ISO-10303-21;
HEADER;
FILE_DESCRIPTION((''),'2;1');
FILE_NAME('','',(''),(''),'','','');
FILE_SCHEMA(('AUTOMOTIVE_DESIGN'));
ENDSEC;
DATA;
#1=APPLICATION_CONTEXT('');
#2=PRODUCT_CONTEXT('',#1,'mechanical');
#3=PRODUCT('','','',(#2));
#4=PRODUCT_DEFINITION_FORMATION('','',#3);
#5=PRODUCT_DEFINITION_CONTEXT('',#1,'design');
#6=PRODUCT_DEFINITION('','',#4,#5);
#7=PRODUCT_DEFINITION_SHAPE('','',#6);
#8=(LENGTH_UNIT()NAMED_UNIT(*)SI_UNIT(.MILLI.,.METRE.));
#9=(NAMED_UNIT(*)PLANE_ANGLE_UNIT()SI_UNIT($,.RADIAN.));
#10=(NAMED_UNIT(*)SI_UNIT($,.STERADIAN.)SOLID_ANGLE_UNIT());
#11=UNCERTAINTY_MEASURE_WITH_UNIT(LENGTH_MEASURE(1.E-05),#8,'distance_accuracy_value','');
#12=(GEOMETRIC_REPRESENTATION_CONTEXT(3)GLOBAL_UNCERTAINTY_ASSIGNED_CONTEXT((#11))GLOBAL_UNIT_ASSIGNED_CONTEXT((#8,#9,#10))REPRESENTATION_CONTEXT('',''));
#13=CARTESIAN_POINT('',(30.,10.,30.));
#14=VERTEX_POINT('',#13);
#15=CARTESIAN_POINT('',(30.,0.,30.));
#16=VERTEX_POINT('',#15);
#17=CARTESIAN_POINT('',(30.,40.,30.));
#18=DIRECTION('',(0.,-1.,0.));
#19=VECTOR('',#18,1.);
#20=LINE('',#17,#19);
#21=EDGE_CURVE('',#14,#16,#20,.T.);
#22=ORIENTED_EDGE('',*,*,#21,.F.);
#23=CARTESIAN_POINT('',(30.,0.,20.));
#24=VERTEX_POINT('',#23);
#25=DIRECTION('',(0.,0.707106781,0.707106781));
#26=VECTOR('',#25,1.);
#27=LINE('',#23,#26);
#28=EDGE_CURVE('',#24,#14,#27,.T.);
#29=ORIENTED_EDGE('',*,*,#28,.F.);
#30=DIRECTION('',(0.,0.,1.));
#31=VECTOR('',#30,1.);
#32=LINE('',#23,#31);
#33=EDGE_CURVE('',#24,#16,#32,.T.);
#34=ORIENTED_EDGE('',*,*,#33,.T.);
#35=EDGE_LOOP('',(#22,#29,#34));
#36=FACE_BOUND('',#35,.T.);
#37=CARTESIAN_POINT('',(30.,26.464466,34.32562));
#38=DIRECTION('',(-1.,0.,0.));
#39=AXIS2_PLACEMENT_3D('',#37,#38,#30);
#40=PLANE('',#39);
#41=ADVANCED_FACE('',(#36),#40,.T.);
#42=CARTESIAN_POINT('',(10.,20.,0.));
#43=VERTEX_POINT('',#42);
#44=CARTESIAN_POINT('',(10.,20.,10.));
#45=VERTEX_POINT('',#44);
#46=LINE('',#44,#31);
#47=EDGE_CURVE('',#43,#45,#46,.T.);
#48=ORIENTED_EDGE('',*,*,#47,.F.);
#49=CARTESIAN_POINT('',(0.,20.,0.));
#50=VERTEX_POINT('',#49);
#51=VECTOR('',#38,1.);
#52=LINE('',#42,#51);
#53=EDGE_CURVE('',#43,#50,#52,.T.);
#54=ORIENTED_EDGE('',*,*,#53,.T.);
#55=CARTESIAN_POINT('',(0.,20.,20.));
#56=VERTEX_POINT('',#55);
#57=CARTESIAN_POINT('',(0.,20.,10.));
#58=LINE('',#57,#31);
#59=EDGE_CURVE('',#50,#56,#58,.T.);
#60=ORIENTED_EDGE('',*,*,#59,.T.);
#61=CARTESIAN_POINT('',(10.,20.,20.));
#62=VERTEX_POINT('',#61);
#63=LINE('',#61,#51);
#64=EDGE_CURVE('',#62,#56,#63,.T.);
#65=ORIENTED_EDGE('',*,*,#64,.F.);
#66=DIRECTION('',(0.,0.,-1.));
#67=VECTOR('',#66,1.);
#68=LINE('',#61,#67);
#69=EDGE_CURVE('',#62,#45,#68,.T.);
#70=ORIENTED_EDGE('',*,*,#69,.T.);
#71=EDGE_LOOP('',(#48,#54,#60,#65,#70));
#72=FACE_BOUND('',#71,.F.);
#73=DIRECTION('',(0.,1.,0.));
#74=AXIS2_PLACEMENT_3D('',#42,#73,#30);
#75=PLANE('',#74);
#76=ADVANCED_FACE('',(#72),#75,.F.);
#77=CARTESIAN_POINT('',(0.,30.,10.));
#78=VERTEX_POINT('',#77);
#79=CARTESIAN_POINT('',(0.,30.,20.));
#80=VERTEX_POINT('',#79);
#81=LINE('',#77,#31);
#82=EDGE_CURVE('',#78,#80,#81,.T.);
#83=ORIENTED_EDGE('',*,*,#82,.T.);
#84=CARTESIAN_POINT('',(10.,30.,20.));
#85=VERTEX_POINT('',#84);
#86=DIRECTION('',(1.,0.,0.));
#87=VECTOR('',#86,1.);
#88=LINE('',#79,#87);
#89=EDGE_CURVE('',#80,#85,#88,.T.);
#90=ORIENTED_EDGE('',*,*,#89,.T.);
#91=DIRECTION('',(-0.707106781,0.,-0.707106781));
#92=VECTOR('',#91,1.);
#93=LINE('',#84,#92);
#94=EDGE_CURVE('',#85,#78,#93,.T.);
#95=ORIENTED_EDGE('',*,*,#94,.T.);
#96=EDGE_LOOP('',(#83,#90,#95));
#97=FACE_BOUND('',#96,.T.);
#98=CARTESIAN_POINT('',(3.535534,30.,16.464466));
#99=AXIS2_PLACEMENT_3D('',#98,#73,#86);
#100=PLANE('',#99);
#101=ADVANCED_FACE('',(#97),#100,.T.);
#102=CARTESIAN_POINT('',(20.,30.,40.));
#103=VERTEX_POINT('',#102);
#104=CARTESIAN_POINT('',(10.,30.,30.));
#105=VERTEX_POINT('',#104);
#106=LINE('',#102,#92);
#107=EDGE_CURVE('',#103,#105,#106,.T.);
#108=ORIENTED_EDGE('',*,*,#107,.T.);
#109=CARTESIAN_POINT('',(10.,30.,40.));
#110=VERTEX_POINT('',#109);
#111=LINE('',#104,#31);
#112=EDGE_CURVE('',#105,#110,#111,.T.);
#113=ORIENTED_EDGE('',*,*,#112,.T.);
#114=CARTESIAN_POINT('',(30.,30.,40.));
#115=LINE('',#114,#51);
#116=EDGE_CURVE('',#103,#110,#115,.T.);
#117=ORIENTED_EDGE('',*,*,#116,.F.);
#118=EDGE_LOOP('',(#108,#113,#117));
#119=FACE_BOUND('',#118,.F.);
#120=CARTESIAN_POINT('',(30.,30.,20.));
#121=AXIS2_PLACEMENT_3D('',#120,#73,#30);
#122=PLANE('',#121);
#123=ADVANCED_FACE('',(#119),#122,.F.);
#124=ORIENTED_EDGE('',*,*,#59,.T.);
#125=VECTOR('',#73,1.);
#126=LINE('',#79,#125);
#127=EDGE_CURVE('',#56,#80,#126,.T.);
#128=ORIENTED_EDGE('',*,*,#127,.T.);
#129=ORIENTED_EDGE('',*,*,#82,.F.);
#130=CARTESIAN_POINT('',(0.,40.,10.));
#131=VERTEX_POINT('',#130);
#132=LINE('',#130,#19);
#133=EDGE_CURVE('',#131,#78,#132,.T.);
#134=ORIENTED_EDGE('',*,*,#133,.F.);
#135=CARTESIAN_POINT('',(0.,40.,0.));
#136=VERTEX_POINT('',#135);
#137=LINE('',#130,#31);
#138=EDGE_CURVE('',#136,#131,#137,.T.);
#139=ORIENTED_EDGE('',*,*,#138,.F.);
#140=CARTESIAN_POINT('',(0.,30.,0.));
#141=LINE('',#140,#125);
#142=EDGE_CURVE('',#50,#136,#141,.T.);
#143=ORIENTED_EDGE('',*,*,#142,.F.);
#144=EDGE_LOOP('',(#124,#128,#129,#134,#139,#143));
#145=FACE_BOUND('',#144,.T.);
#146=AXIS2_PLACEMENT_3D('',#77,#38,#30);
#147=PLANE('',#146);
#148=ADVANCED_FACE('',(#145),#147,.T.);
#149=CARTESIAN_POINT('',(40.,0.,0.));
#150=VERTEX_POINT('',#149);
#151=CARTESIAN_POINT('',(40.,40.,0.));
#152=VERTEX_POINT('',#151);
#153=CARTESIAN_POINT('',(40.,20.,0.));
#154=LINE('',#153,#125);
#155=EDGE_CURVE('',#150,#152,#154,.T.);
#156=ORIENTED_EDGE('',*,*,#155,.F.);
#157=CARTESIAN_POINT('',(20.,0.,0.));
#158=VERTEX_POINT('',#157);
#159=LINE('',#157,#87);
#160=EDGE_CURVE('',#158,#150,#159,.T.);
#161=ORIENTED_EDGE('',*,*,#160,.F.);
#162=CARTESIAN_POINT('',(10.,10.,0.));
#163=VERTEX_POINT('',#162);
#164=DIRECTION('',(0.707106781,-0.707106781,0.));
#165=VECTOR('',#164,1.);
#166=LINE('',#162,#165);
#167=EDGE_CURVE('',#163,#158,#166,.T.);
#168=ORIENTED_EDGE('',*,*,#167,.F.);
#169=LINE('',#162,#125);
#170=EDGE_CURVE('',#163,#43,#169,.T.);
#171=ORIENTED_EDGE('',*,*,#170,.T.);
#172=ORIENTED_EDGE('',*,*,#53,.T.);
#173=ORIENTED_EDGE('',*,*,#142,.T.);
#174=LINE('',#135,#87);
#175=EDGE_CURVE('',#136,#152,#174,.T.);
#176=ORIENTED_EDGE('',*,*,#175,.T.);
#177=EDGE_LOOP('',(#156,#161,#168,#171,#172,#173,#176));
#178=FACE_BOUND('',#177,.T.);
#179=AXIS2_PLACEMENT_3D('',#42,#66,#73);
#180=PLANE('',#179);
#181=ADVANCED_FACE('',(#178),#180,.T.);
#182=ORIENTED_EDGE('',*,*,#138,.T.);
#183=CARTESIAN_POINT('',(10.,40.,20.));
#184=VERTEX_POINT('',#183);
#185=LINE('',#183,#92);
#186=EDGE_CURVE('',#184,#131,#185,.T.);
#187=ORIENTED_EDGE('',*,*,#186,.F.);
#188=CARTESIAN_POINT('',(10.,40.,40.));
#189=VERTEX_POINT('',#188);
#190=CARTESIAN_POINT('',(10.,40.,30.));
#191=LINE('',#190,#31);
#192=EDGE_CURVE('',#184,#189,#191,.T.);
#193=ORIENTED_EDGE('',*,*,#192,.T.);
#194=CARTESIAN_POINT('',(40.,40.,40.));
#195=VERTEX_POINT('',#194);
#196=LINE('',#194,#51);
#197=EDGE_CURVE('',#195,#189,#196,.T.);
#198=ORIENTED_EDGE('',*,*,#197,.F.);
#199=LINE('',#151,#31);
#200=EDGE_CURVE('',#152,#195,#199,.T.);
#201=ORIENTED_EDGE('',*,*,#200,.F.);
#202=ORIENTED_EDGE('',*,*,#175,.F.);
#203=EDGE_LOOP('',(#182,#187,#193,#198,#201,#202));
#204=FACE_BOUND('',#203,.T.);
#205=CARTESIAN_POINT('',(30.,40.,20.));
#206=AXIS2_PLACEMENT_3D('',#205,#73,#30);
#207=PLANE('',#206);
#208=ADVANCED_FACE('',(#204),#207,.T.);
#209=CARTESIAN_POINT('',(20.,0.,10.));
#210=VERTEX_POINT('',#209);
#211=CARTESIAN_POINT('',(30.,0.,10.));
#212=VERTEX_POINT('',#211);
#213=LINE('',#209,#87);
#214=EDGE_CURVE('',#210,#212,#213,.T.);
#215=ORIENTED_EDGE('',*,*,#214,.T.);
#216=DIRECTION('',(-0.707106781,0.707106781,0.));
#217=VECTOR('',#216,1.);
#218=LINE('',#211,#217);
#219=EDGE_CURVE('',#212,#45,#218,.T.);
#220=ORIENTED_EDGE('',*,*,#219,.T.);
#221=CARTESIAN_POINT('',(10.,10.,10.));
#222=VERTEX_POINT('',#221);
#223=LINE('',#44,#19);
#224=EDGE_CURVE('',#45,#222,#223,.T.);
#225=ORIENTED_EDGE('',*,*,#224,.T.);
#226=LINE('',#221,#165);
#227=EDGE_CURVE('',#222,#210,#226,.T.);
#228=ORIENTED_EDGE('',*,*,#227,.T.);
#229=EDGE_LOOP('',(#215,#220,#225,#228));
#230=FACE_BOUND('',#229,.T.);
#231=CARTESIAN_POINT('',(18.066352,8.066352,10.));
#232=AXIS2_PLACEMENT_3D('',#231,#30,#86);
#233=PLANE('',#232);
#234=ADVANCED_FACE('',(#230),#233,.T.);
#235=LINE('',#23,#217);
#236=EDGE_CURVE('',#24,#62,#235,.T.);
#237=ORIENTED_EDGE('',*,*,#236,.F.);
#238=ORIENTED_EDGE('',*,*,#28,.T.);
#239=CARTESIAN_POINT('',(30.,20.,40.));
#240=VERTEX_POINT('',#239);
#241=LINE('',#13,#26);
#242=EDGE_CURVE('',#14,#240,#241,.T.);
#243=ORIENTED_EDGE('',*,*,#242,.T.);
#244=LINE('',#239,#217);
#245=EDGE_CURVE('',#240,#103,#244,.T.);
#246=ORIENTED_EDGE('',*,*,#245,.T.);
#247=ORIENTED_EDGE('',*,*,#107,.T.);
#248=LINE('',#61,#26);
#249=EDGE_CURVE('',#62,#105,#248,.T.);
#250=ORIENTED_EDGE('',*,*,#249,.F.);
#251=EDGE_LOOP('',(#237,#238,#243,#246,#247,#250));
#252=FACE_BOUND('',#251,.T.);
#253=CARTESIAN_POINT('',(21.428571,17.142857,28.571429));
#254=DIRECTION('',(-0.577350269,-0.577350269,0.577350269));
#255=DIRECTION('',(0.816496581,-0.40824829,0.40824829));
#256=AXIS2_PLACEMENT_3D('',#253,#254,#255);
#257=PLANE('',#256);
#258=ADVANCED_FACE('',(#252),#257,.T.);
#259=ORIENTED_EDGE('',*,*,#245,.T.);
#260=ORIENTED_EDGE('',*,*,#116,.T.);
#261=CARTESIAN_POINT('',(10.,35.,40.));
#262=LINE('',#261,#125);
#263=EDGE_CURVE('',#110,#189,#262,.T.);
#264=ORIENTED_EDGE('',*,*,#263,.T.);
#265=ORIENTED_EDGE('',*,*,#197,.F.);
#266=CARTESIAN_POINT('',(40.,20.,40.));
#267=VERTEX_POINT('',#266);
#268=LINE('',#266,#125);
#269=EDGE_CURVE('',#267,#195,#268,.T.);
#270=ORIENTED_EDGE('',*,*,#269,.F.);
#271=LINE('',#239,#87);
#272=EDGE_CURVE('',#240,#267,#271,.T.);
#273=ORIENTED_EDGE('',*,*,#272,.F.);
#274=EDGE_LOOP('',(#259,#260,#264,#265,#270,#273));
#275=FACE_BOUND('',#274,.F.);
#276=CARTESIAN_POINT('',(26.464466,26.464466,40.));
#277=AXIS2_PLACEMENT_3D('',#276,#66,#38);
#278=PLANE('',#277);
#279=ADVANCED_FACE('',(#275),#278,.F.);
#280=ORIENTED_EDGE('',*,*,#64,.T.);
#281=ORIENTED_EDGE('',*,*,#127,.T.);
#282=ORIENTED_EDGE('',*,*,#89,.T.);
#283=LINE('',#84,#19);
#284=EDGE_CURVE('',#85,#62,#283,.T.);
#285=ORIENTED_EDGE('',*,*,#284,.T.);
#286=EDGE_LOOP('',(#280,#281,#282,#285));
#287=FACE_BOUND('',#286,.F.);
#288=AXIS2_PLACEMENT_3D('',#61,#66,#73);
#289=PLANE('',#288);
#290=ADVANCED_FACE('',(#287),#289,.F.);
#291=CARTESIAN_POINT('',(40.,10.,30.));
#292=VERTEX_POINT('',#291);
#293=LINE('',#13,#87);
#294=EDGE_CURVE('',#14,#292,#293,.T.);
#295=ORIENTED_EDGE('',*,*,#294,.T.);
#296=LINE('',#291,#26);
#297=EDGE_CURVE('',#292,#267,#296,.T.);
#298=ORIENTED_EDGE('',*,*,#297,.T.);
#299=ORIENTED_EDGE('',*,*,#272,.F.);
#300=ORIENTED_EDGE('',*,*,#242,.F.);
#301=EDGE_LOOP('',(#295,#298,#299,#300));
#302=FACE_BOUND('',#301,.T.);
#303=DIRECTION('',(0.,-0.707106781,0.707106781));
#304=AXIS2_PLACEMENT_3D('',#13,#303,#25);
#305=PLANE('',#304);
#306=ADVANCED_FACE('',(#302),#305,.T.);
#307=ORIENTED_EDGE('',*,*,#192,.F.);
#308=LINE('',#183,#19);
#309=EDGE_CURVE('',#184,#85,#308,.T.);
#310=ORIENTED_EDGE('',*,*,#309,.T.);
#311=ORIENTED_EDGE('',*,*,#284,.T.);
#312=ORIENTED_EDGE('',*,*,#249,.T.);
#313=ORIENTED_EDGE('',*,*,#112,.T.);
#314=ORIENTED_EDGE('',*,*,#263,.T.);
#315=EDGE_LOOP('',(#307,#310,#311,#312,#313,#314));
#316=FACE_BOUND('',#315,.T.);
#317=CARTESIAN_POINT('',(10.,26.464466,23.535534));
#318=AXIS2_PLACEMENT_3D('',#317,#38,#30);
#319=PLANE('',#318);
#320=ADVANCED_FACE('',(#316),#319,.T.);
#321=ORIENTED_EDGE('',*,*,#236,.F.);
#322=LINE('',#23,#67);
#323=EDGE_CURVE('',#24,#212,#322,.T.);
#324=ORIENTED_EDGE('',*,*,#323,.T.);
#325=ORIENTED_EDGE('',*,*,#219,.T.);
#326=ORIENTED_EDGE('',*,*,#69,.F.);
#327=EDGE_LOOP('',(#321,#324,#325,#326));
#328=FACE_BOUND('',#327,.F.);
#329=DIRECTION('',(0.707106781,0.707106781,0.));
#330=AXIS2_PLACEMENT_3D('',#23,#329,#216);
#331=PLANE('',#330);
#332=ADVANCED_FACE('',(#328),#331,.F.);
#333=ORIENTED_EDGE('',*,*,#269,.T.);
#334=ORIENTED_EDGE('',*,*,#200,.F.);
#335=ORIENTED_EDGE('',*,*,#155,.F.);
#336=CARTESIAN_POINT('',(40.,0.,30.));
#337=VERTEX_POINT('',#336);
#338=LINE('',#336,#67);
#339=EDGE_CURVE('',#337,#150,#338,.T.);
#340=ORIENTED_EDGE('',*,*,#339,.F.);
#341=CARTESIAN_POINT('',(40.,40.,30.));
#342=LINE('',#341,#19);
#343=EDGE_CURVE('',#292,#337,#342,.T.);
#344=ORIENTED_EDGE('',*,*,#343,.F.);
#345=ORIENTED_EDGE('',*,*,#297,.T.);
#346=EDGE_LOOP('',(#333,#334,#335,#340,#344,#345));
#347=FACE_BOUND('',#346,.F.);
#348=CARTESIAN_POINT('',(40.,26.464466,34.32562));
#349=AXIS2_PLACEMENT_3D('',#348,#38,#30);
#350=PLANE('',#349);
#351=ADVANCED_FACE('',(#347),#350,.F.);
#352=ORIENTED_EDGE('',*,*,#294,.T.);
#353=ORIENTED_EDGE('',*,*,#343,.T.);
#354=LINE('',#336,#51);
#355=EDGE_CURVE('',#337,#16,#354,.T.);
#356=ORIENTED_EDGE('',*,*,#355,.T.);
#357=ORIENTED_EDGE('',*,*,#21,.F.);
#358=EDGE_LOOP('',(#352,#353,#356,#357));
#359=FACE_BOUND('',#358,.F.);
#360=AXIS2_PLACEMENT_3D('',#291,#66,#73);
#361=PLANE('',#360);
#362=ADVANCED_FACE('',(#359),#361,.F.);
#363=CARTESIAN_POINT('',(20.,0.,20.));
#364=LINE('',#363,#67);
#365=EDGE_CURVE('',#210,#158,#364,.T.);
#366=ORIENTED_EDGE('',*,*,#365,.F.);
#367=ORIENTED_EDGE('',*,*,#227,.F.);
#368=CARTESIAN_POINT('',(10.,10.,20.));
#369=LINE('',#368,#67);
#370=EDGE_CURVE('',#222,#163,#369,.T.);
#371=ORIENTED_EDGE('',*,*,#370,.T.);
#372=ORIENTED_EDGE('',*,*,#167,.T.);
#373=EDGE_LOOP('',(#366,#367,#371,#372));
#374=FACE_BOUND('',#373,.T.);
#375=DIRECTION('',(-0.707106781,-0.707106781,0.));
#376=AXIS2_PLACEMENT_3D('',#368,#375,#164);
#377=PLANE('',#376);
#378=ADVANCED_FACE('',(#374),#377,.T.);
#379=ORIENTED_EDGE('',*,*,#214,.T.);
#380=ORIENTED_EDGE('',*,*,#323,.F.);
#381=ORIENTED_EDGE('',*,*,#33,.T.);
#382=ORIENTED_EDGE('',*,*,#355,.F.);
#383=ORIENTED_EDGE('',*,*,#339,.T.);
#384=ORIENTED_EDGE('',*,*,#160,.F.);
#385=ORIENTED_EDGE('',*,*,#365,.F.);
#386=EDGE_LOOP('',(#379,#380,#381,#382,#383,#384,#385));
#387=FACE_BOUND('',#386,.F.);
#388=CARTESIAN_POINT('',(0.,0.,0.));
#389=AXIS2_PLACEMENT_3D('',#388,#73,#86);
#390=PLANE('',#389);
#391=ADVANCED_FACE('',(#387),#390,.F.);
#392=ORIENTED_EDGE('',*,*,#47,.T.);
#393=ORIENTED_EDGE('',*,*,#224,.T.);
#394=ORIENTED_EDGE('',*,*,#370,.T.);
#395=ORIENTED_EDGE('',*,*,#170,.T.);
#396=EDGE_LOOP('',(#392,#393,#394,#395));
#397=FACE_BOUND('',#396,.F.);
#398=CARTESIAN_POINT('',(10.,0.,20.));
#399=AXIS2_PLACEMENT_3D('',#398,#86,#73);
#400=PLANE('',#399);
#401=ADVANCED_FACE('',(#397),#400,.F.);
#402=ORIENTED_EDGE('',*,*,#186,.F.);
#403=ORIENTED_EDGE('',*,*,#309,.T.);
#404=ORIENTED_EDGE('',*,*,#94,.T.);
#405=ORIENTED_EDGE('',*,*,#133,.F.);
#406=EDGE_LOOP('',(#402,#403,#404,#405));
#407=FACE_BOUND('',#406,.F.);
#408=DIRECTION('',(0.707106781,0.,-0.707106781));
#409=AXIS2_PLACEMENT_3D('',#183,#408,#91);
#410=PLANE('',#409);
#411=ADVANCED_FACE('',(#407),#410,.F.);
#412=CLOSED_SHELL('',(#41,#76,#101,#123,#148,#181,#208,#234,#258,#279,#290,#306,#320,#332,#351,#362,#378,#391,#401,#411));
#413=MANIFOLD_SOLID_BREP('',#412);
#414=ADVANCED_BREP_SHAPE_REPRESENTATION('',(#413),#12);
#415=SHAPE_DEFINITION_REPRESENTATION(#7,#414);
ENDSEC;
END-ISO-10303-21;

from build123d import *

# Parameters (mm, degrees)
SKETCH1_W            = 40
SKETCH1_H            = 40
BOSS_EXTRUDE1_DEPTH  = 20
BOSS_EXTRUDE3_DEPTH  = 10
SKETCH3_W            = 10
SKETCH3_H            = 30
BOSS_EXTRUDE5_DEPTH  = 10
BOSS_EXTRUDE6_DEPTH  = 10
SKETCH5_W            = 10
SKETCH5_H            = 40
CUT_EXTRUDE3_DEPTH   = 25
CUT_EXTRUDE4_DEPTH   = 25
CUT_EXTRUDE5_DEPTH   = 10
SKETCH9_W            = 20
SKETCH9_H            = 20
BOSS_EXTRUDE7_DEPTH  = 10
CUT_EXTRUDE6_DEPTH   = 10
BOSS_EXTRUDE8_DEPTH  = 10
SKETCH12_W           = 20
SKETCH12_H           = 10
BOSS_EXTRUDE9_DEPTH  = 20
BOSS_EXTRUDE10_DEPTH = 20
BOSS_EXTRUDE11_DEPTH = 20
BOSS_EXTRUDE12_DEPTH = 17


with BuildPart() as part:
    # Sketch1 → Boss-Extrude1 (new body)
    with BuildSketch(Plane.XY):
        with Locations((20, 20)):
            Rectangle(SKETCH1_W, SKETCH1_H)
    extrude(amount=BOSS_EXTRUDE1_DEPTH)

    # Sketch3 → Boss-Extrude5 (add)
    with BuildSketch(Plane(origin=(40, 0, 0), x_dir=(0, 0, -1), z_dir=(1, 0, 0))):
        with Locations((-25, 25)):
            Rectangle(SKETCH3_W, SKETCH3_H)
    extrude(amount=-BOSS_EXTRUDE5_DEPTH)



with BuildPart() as body_2:
    # Sketch2 → Boss-Extrude3 (new body)
    with BuildSketch(Plane(origin=(40, 0, 0), x_dir=(0, 0, -1), z_dir=(1, 0, 0))):
        Polygon((-30, 10), (-20, 0), (-30, 0), align=None)
    extrude(amount=-BOSS_EXTRUDE3_DEPTH)


with BuildPart() as part_1:
    add(part.part)

    add(body_2.part)  # Boss-Extrude6 merges body 2
    # Sketch4 → Boss-Extrude6 (add)
    with BuildSketch(Plane(origin=(40, 0, 0), x_dir=(0, 0, -1), z_dir=(1, 0, 0))):
        Polygon((-20, 0), (-20, 10), (-30, 10), align=None)
    extrude(amount=-BOSS_EXTRUDE6_DEPTH)

    # Sketch5 → Cut-Extrude3 (cut)
    with BuildSketch(Plane.XY.offset(20)):
        with Locations((5, 20)):
            Rectangle(SKETCH5_W, SKETCH5_H)
    extrude(amount=-CUT_EXTRUDE3_DEPTH, mode=Mode.SUBTRACT)

    # Sketch7 → Cut-Extrude4 (cut)
    with BuildSketch(Plane.XY.offset(20)):
        Polygon((10, 10), (20, 0), (10, 0), align=None)
    extrude(amount=-CUT_EXTRUDE4_DEPTH, mode=Mode.SUBTRACT)

    # Sketch8 → Cut-Extrude5 (cut)
    with BuildSketch(Plane.XY.offset(20)):
        Polygon((30, 0), (10, 20), (10, 10), (20, 0), align=None)
    extrude(amount=-CUT_EXTRUDE5_DEPTH, mode=Mode.SUBTRACT)

    # Sketch9 → Boss-Extrude7 (add)
    with BuildSketch(Plane.ZY.offset(-10)):
        with Locations((10, 30)):
            Rectangle(SKETCH9_W, SKETCH9_H)
    extrude(amount=BOSS_EXTRUDE7_DEPTH)

    # Sketch10 → Cut-Extrude6 (cut)
    with BuildSketch(Plane(origin=(0, 40, 0), x_dir=(1, 0, 0), z_dir=(0, 1, 0))):
        Polygon((10, -20), (0, -10), (0, -20), align=None)
    extrude(amount=-CUT_EXTRUDE6_DEPTH, mode=Mode.SUBTRACT)

    # Sketch11 → Boss-Extrude8 (add)
    with BuildSketch(Plane.ZY.offset(-30)):
        Polygon((30, 10), (40, 20), (40, 40), (30, 40), align=None)
    extrude(amount=-BOSS_EXTRUDE8_DEPTH)

    # Sketch12 → Boss-Extrude9 (add)
    with BuildSketch(Plane.ZY.offset(-30)):
        with Locations((30, 35)):
            Rectangle(SKETCH12_W, SKETCH12_H)
    extrude(amount=BOSS_EXTRUDE9_DEPTH)

    # Sketch13 → Boss-Extrude10 (add)
    with BuildSketch(Plane.XY.offset(40)):
        Polygon((30, 20), (20, 30), (30, 30), align=None)
    extrude(amount=-BOSS_EXTRUDE10_DEPTH)

    # Sketch16 → Boss-Extrude11 (add)
    with BuildSketch(Plane.ZY.offset(-10)):
        Polygon((20, 20), (30, 30), (20, 30), align=None)
    extrude(amount=-BOSS_EXTRUDE11_DEPTH)

    # Sketch17 → Boss-Extrude12 (add)
    with BuildSketch(Plane(origin=(3.333333333, 3.333333333, -3.333333333), x_dir=(-0.816496581, 0.40824829, -0.40824829), z_dir=(0.577350269, 0.577350269, -0.577350269))):
        Polygon((-32.659863237, 42.426406871), (-20.412414523, 49.497474683), (-8.164965809, 42.426406871), (-8.164965809, 28.284271247), (-32.659863237, 14.142135624), align=None)
    extrude(amount=BOSS_EXTRUDE12_DEPTH)


solid = part_1.part
